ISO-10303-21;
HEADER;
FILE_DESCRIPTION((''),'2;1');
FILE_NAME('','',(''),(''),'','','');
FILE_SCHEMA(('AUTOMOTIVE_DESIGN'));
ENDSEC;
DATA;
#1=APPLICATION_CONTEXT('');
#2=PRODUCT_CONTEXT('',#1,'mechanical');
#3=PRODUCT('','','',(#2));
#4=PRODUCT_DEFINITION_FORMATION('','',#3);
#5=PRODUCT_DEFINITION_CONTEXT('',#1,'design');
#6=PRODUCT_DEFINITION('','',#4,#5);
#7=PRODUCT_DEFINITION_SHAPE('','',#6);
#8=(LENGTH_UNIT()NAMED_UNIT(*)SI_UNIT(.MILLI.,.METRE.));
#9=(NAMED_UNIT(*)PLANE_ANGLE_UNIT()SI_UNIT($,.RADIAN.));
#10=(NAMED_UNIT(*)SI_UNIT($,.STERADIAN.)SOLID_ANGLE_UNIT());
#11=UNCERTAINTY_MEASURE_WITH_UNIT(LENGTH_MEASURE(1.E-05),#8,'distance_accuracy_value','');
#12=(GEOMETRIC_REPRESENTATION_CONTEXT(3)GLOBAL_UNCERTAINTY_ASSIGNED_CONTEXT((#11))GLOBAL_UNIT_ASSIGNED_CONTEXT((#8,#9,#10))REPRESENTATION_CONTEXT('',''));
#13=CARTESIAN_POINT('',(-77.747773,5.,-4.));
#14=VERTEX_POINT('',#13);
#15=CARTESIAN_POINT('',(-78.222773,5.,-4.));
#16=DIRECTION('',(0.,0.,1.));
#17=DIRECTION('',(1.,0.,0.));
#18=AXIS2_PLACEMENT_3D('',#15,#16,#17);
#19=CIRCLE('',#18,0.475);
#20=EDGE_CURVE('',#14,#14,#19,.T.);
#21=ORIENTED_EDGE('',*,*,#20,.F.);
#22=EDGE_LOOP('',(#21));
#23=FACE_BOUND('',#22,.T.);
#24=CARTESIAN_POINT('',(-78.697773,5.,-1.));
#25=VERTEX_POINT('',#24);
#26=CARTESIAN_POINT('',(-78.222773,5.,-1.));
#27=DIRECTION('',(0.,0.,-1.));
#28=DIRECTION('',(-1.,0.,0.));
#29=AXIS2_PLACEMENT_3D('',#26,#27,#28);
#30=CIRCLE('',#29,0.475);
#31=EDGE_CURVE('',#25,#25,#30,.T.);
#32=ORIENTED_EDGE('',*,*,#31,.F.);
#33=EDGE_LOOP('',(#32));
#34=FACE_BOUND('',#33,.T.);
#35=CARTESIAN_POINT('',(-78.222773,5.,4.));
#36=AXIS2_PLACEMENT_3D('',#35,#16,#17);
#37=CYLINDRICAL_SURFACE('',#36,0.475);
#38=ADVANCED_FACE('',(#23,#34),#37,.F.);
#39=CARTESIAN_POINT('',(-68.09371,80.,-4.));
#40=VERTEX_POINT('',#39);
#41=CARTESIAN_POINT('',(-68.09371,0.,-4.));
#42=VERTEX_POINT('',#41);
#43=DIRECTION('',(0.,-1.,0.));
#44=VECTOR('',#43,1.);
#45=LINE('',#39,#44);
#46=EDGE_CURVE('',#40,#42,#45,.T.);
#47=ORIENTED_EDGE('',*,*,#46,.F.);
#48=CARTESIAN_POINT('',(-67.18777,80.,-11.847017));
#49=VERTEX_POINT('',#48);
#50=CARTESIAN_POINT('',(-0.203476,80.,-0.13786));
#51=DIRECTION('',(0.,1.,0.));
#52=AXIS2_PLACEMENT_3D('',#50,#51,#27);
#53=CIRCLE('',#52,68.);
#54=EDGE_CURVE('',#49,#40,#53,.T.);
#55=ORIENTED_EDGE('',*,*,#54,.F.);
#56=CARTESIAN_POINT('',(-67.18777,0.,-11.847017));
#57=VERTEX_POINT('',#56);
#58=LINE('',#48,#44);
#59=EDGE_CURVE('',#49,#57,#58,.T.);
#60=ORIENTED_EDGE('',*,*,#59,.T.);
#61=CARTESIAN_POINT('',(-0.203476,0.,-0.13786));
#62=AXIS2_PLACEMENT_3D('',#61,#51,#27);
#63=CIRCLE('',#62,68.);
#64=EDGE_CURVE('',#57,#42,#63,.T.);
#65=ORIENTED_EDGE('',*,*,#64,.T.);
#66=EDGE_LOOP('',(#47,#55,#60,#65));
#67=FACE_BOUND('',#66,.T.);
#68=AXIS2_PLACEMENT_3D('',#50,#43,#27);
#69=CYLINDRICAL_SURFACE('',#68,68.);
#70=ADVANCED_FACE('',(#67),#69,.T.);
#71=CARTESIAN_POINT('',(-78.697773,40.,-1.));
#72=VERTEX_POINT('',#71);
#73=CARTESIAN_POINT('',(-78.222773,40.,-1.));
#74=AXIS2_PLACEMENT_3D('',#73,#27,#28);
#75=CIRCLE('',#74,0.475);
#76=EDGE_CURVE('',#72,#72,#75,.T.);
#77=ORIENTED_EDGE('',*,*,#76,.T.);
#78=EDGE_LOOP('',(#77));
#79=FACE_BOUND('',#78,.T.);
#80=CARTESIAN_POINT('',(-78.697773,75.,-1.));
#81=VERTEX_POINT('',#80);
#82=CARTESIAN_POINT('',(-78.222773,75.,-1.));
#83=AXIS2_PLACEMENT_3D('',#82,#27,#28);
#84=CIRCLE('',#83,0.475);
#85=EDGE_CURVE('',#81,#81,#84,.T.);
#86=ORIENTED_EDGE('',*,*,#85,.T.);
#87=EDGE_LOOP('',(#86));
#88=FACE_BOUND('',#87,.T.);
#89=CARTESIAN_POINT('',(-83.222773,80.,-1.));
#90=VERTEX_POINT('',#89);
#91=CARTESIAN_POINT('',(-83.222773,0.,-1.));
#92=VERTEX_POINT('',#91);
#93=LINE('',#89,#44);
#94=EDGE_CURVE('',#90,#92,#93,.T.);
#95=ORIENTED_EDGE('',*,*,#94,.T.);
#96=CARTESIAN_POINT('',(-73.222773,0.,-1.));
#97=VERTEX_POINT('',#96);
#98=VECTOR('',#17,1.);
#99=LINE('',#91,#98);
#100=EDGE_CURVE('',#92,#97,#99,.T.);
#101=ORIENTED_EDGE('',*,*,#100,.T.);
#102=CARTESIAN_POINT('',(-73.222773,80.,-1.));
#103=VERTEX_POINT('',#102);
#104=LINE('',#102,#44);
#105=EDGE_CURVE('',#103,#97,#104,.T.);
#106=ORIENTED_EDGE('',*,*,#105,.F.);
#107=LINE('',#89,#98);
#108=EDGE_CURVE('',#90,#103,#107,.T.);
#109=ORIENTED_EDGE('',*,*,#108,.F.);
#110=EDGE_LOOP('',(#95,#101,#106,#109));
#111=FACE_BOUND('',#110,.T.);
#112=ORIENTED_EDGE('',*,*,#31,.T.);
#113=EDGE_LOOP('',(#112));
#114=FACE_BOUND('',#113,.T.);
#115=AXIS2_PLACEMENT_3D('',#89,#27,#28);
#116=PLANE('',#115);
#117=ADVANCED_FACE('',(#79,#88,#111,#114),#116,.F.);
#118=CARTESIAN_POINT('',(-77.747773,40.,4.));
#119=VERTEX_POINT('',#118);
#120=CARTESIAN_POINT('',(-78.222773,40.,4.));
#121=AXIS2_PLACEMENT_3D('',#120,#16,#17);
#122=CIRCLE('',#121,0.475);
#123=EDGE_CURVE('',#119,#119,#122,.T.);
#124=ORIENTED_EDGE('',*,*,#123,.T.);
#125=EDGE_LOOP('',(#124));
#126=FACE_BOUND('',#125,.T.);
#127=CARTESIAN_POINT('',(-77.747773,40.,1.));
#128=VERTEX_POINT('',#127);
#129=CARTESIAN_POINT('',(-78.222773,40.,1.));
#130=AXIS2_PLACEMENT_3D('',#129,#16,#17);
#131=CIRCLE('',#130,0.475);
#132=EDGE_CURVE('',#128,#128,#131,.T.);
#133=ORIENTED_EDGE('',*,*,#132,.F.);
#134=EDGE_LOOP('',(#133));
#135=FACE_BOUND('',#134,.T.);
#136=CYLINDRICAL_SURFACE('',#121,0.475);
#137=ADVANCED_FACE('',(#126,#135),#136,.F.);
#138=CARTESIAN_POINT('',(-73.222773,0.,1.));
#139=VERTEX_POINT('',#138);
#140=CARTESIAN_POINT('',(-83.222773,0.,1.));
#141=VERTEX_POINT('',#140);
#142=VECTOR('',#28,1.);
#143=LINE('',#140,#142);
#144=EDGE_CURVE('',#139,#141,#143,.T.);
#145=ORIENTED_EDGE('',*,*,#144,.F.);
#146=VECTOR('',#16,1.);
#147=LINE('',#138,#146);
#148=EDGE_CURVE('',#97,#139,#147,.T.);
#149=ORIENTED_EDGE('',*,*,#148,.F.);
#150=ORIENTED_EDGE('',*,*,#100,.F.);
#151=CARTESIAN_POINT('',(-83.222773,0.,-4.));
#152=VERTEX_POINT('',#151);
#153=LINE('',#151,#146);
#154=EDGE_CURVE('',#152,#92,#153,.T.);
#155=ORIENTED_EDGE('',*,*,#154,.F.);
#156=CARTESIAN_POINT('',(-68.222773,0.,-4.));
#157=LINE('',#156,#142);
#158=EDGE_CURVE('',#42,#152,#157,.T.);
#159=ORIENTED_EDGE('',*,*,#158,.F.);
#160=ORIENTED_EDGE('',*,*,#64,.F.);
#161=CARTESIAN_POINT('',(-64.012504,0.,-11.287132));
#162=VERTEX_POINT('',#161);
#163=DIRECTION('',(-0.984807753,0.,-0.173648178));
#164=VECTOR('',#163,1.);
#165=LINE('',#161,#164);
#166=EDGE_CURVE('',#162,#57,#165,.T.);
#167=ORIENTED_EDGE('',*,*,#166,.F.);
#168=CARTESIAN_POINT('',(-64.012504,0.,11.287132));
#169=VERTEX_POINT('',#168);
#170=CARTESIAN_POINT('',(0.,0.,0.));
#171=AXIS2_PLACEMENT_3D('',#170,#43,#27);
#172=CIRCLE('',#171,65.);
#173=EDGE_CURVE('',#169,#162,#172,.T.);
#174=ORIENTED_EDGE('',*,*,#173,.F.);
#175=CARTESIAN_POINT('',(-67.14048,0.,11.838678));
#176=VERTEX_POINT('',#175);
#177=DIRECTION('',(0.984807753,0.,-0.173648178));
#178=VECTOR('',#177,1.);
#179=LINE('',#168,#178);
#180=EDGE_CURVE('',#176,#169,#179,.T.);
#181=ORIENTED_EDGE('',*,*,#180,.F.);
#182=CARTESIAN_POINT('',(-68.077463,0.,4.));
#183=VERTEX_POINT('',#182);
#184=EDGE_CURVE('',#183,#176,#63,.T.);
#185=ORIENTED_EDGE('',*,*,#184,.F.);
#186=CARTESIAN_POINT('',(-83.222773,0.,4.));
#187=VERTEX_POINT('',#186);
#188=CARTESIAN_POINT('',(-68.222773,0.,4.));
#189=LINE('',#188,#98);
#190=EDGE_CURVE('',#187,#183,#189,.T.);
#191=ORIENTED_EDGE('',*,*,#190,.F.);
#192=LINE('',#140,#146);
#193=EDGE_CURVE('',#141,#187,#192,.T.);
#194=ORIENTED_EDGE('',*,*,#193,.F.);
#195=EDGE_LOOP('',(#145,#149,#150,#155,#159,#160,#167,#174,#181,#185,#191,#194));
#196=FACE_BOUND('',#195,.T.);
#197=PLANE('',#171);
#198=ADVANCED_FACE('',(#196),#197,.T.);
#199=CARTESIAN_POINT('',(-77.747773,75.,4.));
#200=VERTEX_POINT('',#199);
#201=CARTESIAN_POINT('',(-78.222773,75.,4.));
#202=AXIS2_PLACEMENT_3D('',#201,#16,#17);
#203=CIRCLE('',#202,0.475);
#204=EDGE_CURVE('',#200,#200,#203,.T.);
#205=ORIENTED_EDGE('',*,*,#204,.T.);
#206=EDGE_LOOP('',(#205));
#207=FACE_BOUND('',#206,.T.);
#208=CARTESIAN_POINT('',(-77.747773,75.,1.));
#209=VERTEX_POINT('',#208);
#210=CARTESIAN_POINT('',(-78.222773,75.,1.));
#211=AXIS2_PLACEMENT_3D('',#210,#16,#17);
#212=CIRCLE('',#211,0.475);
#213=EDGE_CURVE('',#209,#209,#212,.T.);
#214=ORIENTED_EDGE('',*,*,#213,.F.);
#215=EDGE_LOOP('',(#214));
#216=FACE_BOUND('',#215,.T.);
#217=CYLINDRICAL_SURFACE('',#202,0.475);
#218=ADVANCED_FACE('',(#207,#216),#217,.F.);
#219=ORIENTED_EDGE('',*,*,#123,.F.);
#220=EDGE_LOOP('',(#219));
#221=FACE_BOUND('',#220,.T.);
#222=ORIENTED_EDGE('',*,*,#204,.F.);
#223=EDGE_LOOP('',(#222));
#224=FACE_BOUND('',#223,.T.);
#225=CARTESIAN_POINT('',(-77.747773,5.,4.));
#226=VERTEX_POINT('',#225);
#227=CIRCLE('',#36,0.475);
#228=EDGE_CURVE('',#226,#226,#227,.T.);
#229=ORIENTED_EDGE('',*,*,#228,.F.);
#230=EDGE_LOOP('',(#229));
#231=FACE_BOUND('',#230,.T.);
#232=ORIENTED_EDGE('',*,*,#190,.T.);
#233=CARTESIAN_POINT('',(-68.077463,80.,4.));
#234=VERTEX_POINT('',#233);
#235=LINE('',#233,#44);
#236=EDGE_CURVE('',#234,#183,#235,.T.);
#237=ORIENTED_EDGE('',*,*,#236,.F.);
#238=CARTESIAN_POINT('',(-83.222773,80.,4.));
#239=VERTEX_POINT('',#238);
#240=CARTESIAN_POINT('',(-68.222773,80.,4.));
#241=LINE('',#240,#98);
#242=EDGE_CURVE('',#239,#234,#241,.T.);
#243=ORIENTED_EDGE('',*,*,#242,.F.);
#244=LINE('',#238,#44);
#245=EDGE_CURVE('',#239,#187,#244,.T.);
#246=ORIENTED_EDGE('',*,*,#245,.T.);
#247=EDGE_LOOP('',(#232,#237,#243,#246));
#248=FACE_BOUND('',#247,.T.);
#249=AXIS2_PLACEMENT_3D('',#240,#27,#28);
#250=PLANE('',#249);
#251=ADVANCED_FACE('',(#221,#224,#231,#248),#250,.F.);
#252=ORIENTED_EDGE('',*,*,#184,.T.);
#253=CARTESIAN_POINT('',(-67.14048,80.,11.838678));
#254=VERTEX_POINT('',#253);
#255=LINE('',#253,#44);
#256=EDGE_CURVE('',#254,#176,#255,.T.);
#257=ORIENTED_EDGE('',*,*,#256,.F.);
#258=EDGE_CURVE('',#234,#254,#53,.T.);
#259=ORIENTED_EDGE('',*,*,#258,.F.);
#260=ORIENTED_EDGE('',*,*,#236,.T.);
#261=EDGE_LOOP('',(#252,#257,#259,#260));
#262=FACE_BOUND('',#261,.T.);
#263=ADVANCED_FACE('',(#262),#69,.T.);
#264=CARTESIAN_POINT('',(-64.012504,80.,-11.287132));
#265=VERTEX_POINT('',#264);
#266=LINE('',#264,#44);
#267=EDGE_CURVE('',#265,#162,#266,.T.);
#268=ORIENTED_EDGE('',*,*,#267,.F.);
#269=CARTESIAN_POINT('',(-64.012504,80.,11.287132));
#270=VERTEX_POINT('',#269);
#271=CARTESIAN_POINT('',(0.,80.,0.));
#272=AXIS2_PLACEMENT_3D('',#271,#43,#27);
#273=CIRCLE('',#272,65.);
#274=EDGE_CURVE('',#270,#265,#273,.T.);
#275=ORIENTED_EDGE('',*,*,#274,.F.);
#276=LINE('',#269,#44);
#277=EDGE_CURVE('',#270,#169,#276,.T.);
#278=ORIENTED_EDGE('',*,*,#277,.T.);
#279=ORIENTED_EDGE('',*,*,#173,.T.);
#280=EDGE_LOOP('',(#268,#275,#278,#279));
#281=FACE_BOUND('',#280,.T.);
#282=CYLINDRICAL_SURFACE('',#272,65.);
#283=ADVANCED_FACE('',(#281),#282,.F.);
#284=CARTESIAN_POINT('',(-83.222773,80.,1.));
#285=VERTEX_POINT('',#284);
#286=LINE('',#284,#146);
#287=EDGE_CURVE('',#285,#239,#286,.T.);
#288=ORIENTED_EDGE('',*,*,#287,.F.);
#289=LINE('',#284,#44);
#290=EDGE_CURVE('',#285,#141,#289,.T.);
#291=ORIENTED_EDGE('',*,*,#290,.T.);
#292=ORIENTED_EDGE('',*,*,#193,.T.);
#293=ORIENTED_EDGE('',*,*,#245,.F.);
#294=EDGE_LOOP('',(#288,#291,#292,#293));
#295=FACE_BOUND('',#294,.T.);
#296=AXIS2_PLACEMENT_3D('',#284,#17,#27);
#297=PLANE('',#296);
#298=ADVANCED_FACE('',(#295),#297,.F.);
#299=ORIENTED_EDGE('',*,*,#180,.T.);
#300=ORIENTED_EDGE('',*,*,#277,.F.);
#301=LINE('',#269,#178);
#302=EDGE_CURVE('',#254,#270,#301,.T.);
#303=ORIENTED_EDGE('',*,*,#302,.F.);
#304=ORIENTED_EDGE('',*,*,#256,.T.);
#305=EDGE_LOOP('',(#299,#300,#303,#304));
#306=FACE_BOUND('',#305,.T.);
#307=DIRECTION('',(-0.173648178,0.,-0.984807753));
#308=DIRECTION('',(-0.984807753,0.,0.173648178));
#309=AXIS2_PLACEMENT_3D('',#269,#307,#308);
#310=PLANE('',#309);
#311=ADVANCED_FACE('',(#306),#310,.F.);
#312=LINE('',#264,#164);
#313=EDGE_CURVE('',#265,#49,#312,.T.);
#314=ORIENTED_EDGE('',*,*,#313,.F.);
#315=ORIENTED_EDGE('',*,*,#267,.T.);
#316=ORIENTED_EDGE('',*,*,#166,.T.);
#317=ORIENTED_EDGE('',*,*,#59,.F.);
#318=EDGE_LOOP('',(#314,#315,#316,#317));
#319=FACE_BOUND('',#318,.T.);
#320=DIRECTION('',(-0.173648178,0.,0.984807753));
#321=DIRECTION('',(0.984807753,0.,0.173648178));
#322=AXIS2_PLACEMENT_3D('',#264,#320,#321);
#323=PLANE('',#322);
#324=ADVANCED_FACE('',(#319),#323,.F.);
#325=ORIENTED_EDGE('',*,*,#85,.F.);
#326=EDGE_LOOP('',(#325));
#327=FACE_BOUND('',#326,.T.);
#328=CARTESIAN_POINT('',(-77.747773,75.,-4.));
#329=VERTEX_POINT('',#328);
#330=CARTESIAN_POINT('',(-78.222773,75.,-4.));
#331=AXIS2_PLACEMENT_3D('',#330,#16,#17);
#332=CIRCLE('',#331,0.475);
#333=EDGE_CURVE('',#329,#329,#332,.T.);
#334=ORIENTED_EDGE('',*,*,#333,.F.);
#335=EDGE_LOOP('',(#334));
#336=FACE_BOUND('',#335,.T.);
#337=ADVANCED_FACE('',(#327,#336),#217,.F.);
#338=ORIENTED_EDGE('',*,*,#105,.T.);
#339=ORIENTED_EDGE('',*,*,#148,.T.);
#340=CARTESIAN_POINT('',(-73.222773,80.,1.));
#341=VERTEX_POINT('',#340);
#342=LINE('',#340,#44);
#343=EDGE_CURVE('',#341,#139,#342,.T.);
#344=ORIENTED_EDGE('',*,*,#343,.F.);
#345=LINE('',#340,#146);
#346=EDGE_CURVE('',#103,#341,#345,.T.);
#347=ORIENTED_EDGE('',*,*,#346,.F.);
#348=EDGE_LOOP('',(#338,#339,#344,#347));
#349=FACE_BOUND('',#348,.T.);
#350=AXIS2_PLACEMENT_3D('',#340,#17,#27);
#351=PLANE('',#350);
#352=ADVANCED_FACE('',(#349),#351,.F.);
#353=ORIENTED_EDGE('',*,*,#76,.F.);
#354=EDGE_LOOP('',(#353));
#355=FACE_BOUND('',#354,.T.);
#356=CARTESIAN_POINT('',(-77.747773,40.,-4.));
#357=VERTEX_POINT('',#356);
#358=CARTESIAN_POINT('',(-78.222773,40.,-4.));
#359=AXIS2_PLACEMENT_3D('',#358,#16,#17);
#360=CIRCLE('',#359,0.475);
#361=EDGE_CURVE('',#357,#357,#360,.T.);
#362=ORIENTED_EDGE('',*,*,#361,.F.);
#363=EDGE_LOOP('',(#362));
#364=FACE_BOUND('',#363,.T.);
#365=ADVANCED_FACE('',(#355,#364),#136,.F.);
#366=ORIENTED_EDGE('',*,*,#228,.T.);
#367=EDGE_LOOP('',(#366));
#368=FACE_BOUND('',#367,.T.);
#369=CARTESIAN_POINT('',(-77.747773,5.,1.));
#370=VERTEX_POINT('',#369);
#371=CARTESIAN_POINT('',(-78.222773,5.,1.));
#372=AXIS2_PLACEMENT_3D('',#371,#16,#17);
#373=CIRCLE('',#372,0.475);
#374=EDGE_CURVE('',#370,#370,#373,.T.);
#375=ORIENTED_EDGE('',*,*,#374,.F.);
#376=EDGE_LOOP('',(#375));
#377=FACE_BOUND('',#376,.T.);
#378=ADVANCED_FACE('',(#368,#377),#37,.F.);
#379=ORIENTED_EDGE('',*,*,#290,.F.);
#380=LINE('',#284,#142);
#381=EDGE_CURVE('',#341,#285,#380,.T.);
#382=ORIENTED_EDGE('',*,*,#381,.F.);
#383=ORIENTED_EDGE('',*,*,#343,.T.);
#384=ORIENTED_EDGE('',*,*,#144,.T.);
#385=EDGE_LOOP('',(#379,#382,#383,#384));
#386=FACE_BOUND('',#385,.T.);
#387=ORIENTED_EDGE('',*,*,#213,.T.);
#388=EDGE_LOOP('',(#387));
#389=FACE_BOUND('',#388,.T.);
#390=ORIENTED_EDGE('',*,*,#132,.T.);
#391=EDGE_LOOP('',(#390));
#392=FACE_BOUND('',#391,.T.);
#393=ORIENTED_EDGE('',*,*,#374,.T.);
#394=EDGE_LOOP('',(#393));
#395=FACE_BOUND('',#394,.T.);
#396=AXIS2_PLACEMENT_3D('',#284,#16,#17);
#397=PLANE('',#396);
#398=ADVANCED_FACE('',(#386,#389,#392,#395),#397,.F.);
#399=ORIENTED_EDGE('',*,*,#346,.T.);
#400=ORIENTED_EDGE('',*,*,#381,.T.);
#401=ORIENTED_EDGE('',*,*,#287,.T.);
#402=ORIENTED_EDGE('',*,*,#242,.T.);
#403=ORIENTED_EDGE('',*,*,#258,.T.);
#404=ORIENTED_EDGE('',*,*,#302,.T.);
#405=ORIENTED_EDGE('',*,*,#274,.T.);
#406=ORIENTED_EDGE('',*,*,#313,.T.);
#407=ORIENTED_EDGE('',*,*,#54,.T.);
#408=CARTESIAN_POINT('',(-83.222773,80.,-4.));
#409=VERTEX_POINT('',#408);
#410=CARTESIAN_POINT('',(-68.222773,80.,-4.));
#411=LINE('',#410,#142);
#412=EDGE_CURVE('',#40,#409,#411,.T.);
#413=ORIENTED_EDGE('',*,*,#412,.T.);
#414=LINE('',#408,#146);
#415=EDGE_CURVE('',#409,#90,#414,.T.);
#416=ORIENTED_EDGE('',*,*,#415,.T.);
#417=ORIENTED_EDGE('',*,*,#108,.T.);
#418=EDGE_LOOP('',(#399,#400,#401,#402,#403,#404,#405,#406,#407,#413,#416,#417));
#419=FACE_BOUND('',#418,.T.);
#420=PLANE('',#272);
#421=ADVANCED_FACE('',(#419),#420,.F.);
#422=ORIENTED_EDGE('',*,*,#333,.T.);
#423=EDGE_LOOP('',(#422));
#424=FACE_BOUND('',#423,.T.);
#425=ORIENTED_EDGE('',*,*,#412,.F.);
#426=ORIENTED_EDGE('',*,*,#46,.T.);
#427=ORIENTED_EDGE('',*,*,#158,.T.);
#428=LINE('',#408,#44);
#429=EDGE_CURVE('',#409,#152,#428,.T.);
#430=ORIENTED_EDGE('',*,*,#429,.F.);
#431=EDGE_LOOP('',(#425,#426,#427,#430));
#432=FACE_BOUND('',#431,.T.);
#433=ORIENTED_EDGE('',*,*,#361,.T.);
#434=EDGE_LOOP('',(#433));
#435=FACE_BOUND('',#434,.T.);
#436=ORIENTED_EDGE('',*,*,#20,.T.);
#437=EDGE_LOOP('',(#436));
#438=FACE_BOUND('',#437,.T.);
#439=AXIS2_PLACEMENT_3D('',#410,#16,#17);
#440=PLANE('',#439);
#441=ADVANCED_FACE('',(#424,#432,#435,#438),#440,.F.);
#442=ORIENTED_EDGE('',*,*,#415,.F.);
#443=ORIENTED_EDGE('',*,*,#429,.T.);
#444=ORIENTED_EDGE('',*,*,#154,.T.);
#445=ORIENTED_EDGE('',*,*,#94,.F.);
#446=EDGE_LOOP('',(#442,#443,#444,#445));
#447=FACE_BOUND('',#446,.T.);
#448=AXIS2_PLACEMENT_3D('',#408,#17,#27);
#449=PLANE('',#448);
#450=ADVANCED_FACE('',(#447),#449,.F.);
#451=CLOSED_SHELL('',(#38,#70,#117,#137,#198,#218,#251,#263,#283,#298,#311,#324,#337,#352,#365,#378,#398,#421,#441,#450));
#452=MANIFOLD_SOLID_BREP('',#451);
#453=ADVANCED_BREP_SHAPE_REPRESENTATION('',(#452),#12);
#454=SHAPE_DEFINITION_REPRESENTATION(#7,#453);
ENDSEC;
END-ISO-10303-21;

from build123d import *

# Parameters (mm, degrees)
BOSS_EXTRUDE1_DEPTH      = 80
M1_2X0_25_TAPPED_HOLE2_D = 0.95


with BuildPart() as part:
    # Sketch1 → Boss-Extrude1 (new body)
    with BuildSketch(Plane(origin=(0, 0, 0), x_dir=(1, 0, 0), z_dir=(0, 1, 0))):
        with BuildLine():
            Line((-64.012503946, -11.287131548), (-67.140480461, -11.838678203))
            ThreePointArc((-67.140480461, -11.838678203), (-67.722822081, -7.932947987), (-68.07746332, -4))
            Line((-68.07746332, -4), (-68.222773013, -4))
            Line((-68.222773013, -4), (-83.222773013, -4))
            Line((-83.222773013, -4), (-83.222773013, -1))
            Line((-83.222773013, -1), (-73.222773013, -1))
            Line((-73.222773013, -1), (-73.222773013, 1))
            Line((-73.222773013, 1), (-83.222773013, 1))
            Line((-83.222773013, 1), (-83.222773013, 4))
            Line((-83.222773013, 4), (-68.222773013, 4))
            Line((-68.222773013, 4), (-68.093710355, 4))
            ThreePointArc((-68.093710355, 4), (-67.754779073, 7.936674143), (-67.187770434, 11.847016701))
            Line((-67.187770434, 11.847016701), (-64.012503946, 11.287131548))
            ThreePointArc((-64.012503946, 11.287131548), (-65, 0), (-64.012503946, -11.287131548))
        make_face()
    extrude(amount=BOSS_EXTRUDE1_DEPTH)

    # M1.2x0.25 Tapped Hole2 (through all)
    with Locations(Plane.XY.offset(4)):
        with Locations((-78.222773013, 75), (-78.222773013, 40), (-78.222773013, 5)):
            Hole(M1_2X0_25_TAPPED_HOLE2_D / 2)


solid = part.part
